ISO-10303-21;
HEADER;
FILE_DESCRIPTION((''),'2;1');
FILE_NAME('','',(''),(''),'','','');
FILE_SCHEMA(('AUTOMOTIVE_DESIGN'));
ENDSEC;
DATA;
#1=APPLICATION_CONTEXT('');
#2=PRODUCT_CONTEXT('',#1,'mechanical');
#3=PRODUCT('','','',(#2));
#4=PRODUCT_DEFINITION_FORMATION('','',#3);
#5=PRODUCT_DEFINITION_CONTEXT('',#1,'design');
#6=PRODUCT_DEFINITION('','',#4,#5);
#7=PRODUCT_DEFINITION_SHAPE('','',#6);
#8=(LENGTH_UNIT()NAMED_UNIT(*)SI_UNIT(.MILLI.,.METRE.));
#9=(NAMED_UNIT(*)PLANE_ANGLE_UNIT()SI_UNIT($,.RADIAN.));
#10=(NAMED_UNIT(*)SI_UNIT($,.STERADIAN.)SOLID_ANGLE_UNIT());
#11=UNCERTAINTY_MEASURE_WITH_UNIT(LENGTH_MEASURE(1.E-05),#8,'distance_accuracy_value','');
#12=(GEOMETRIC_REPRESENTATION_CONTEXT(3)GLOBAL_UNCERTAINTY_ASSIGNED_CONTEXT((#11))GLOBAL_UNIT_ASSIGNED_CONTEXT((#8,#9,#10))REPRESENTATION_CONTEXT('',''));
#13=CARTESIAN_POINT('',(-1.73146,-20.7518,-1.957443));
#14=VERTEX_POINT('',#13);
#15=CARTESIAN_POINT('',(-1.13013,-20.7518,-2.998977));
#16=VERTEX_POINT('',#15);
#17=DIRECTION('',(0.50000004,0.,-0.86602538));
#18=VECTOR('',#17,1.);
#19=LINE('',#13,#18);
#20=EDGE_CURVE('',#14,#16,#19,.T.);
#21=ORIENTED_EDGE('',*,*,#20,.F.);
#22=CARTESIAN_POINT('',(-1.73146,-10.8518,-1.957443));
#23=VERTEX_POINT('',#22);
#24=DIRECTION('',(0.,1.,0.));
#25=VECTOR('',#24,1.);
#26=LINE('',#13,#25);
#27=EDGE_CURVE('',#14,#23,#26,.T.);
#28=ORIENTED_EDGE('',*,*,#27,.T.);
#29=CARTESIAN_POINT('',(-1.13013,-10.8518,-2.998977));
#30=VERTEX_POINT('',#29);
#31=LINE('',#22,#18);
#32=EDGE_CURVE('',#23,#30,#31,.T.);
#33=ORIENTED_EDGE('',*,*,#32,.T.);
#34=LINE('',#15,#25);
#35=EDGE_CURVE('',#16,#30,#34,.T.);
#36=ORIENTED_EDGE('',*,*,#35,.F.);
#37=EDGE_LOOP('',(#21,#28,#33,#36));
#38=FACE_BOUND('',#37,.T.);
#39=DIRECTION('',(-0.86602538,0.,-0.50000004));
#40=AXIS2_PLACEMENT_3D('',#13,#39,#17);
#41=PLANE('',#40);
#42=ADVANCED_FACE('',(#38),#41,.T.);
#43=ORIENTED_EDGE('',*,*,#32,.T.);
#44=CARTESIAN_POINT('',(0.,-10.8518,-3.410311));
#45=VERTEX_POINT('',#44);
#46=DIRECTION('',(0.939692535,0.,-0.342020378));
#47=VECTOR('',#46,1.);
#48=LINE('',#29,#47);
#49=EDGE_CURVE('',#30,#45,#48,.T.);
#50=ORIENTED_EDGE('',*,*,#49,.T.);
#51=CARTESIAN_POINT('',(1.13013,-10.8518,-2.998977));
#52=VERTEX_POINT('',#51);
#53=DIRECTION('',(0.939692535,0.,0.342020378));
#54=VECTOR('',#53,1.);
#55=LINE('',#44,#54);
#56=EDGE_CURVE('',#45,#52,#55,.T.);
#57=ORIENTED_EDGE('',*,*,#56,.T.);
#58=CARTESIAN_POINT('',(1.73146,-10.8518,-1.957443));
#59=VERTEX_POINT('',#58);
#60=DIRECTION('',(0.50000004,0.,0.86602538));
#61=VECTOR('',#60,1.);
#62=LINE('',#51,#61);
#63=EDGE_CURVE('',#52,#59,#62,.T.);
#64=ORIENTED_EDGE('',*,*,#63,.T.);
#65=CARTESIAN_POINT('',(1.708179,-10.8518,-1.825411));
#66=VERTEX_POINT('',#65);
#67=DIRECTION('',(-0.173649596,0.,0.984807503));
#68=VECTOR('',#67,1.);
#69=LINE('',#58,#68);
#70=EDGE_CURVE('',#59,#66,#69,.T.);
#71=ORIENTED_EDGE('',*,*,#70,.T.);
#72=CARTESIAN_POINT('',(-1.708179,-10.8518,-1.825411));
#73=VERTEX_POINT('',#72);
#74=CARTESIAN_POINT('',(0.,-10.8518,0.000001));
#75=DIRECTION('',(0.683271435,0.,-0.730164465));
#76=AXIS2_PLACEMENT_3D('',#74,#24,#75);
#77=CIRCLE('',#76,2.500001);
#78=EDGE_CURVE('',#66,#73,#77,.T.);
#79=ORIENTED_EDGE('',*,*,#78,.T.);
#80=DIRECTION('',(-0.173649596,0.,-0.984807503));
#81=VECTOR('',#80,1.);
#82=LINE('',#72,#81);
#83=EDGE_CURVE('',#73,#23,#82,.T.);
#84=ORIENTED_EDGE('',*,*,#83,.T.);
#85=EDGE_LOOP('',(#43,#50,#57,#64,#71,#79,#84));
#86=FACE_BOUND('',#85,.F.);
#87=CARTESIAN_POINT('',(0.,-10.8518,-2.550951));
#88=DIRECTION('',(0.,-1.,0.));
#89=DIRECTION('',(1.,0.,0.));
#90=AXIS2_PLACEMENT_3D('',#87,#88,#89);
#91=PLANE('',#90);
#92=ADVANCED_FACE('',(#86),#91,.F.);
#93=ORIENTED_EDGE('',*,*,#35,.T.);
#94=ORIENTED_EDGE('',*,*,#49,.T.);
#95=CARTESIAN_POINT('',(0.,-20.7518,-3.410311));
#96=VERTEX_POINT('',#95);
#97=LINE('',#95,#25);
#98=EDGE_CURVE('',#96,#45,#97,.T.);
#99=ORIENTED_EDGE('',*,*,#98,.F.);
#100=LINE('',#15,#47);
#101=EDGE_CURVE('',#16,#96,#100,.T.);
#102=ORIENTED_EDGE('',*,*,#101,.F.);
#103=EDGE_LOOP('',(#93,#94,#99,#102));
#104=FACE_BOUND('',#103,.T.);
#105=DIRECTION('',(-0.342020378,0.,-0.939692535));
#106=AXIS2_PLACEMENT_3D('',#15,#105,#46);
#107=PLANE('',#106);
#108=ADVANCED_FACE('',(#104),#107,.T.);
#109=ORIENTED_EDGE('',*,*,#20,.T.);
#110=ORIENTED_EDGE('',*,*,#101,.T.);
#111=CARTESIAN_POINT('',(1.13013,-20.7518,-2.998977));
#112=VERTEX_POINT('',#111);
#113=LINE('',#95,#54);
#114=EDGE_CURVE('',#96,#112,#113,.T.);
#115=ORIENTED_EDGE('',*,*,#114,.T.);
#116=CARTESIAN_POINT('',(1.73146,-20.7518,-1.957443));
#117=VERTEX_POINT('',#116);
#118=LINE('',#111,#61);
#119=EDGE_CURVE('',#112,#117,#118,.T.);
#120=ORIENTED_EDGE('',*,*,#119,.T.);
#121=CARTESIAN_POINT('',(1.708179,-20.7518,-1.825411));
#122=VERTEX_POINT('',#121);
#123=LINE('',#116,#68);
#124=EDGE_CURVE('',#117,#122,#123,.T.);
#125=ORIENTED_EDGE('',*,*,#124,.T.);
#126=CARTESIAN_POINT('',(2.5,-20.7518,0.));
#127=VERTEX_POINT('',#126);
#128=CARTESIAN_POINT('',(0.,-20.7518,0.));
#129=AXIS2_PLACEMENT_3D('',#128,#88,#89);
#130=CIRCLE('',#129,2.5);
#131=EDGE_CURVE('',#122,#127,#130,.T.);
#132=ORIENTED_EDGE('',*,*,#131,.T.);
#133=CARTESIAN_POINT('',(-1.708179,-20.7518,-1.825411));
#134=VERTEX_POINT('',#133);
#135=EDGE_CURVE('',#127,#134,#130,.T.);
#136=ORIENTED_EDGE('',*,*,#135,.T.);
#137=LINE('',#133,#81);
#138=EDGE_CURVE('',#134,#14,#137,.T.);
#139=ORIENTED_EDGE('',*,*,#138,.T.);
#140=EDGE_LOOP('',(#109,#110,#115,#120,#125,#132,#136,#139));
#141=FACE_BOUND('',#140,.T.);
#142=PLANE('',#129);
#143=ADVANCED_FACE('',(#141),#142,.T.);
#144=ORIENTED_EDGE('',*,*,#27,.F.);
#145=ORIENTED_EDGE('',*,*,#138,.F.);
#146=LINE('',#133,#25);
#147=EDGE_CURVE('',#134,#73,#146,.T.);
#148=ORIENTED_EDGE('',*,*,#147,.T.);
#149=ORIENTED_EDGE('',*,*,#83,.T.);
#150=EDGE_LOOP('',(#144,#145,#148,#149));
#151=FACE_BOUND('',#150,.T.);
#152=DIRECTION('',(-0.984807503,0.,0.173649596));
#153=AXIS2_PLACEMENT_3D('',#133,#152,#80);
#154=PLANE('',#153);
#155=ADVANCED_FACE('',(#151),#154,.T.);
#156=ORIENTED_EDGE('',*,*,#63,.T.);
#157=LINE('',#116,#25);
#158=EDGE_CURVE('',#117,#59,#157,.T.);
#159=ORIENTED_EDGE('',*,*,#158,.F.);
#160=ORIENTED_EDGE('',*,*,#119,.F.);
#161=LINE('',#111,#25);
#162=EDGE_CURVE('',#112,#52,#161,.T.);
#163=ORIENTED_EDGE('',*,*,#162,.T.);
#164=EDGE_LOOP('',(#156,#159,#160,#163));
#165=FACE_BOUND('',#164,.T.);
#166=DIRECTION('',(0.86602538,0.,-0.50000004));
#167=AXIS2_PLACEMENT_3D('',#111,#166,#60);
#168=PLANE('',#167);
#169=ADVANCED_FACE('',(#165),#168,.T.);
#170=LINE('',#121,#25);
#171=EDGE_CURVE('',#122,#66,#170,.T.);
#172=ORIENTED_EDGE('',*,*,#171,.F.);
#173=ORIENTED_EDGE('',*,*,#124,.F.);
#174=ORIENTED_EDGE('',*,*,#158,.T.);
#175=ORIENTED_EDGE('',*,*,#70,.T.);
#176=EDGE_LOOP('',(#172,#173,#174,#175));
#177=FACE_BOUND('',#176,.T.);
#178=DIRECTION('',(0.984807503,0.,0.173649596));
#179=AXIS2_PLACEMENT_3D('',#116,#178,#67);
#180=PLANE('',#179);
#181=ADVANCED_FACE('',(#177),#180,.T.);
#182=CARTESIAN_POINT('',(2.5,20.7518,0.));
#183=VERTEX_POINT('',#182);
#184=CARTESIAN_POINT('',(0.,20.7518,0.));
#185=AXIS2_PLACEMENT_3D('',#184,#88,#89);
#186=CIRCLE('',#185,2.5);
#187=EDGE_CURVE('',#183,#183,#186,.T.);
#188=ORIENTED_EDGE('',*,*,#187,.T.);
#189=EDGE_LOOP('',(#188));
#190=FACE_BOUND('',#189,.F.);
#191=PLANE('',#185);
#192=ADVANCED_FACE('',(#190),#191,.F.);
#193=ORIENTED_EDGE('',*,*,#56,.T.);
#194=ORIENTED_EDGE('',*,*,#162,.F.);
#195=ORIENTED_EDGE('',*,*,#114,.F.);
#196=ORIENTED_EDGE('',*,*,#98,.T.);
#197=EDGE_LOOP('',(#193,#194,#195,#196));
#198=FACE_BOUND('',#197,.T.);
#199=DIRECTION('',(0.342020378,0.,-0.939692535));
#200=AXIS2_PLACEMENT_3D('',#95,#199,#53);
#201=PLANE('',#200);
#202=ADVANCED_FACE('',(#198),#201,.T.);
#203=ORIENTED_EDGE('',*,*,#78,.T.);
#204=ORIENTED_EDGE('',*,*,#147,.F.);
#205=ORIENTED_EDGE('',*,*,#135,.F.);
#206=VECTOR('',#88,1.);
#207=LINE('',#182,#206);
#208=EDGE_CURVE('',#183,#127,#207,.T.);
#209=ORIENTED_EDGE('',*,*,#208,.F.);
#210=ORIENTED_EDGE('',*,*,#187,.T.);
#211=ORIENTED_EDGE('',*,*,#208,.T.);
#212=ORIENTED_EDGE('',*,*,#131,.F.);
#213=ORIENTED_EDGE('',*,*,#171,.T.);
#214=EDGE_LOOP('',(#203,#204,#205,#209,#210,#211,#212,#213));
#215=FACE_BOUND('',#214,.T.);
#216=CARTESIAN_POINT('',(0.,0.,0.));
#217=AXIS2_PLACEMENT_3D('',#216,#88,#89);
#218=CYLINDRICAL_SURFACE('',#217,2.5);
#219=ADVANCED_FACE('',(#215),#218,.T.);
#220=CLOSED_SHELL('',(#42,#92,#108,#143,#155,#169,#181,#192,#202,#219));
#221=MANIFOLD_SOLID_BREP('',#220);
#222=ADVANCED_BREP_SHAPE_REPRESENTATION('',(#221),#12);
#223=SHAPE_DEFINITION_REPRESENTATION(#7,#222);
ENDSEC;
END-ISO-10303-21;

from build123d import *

# Parameters (mm, degrees)
F0_R      = 2.5
F1_DEPTH  = 20.7518
F1_FACE_R = 2.5
F3_DEPTH  = 9.9


with BuildPart() as f1:
    # F0 (on Front) → F1 (new body, symmetric)
    with BuildSketch(Plane.XZ):
        Circle(F0_R)
    extrude(amount=F1_DEPTH, both=True)

    # F2 (on face) + F1_face (on face) → F3 (join)
    with BuildSketch(Plane.XZ.offset(20.7518)):
        with BuildLine():
            Line((1.73146, -1.957443), (1.708179, -1.825411))
            ThreePointArc((1.708179, -1.825411), (0, -2.5), (-1.708179, -1.825411))
            Line((-1.708179, -1.825411), (-1.73146, -1.957443))
            Line((-1.73146, -1.957443), (-1.13013, -2.998977))
            Line((-1.13013, -2.998977), (0, -3.410311))
            Line((0, -3.410311), (1.13013, -2.998977))
            Line((1.13013, -2.998977), (1.73146, -1.957443))
        make_face()
        with BuildLine():
            ThreePointArc((1.478944, -0.736405), (1.608258, -0.378249), (1.65214, 0))
            ThreePointArc((1.65214, 0), (1.6318, 0.258452), (1.571279, 0.510539))
            ThreePointArc((1.571279, 0.510539), (0.971104, 1.336609), (0, 1.65214))
            ThreePointArc((0, 1.65214), (-0.971104, 1.336609), (-1.571279, 0.510539))
            ThreePointArc((-1.571279, 0.510539), (-1.647629, -0.122005), (-1.478944, -0.736405))
            Line((-1.478944, -0.736405), (-0.60133, 0))
            Line((-0.60133, 0), (0.60133, 0))
            Line((0.60133, 0), (1.478944, -0.736405))
        make_face()
        with BuildLine():
            ThreePointArc((0.971104, -1.336609), (1.261247, -1.067156), (1.478944, -0.736405))
            Line((1.478944, -0.736405), (0.60133, 0))
            Line((0.60133, 0), (-0.60133, 0))
            Line((-0.60133, 0), (-1.478944, -0.736405))
            ThreePointArc((-1.478944, -0.736405), (-1.261247, -1.067156), (-0.971104, -1.336609))
            ThreePointArc((-0.971104, -1.336609), (0, -1.65214), (0.971104, -1.336609))
        make_face()
        with BuildLine():
            ThreePointArc((0, 1.65214), (0.971104, 1.336609), (1.571279, 0.510539))
            Line((1.571279, 0.510539), (1.20035, 1.65214))
            Line((1.20035, 1.65214), (0, 1.65214))
        make_face()
        with BuildLine():
            ThreePointArc((-1.571279, 0.510539), (-0.971104, 1.336609), (0, 1.65214))
            Line((0, 1.65214), (-1.20035, 1.65214))
            Line((-1.20035, 1.65214), (-1.571279, 0.510539))
        make_face()
        with BuildLine():
            Line((-1.548075, -0.917415), (-0.971104, -1.336609))
            ThreePointArc((-0.971104, -1.336609), (-1.261247, -1.067156), (-1.478944, -0.736405))
            Line((-1.478944, -0.736405), (-1.522621, -0.773055))
            Line((-1.522621, -0.773055), (-1.548075, -0.917415))
        make_face()
        with BuildLine():
            Line((0, -2.042157), (0.971104, -1.336609))
            ThreePointArc((0.971104, -1.336609), (0, -1.65214), (-0.971104, -1.336609))
            Line((-0.971104, -1.336609), (0, -2.042157))
        make_face()
        with BuildLine():
            ThreePointArc((-1.478944, -0.736405), (-1.647629, -0.122005), (-1.571279, 0.510539))
            Line((-1.571279, 0.510539), (-1.942207, -0.631061))
            Line((-1.942207, -0.631061), (-1.548075, -0.917415))
            Line((-1.548075, -0.917415), (-1.522621, -0.773055))
            Line((-1.522621, -0.773055), (-1.478944, -0.736405))
        make_face()
    with BuildSketch(Plane(origin=(0, 20.7518, 0), x_dir=(1, 0, 0), z_dir=(0, 1, 0))):
        Circle(F1_FACE_R)
    extrude(amount=-F3_DEPTH)


solid = f1.part
